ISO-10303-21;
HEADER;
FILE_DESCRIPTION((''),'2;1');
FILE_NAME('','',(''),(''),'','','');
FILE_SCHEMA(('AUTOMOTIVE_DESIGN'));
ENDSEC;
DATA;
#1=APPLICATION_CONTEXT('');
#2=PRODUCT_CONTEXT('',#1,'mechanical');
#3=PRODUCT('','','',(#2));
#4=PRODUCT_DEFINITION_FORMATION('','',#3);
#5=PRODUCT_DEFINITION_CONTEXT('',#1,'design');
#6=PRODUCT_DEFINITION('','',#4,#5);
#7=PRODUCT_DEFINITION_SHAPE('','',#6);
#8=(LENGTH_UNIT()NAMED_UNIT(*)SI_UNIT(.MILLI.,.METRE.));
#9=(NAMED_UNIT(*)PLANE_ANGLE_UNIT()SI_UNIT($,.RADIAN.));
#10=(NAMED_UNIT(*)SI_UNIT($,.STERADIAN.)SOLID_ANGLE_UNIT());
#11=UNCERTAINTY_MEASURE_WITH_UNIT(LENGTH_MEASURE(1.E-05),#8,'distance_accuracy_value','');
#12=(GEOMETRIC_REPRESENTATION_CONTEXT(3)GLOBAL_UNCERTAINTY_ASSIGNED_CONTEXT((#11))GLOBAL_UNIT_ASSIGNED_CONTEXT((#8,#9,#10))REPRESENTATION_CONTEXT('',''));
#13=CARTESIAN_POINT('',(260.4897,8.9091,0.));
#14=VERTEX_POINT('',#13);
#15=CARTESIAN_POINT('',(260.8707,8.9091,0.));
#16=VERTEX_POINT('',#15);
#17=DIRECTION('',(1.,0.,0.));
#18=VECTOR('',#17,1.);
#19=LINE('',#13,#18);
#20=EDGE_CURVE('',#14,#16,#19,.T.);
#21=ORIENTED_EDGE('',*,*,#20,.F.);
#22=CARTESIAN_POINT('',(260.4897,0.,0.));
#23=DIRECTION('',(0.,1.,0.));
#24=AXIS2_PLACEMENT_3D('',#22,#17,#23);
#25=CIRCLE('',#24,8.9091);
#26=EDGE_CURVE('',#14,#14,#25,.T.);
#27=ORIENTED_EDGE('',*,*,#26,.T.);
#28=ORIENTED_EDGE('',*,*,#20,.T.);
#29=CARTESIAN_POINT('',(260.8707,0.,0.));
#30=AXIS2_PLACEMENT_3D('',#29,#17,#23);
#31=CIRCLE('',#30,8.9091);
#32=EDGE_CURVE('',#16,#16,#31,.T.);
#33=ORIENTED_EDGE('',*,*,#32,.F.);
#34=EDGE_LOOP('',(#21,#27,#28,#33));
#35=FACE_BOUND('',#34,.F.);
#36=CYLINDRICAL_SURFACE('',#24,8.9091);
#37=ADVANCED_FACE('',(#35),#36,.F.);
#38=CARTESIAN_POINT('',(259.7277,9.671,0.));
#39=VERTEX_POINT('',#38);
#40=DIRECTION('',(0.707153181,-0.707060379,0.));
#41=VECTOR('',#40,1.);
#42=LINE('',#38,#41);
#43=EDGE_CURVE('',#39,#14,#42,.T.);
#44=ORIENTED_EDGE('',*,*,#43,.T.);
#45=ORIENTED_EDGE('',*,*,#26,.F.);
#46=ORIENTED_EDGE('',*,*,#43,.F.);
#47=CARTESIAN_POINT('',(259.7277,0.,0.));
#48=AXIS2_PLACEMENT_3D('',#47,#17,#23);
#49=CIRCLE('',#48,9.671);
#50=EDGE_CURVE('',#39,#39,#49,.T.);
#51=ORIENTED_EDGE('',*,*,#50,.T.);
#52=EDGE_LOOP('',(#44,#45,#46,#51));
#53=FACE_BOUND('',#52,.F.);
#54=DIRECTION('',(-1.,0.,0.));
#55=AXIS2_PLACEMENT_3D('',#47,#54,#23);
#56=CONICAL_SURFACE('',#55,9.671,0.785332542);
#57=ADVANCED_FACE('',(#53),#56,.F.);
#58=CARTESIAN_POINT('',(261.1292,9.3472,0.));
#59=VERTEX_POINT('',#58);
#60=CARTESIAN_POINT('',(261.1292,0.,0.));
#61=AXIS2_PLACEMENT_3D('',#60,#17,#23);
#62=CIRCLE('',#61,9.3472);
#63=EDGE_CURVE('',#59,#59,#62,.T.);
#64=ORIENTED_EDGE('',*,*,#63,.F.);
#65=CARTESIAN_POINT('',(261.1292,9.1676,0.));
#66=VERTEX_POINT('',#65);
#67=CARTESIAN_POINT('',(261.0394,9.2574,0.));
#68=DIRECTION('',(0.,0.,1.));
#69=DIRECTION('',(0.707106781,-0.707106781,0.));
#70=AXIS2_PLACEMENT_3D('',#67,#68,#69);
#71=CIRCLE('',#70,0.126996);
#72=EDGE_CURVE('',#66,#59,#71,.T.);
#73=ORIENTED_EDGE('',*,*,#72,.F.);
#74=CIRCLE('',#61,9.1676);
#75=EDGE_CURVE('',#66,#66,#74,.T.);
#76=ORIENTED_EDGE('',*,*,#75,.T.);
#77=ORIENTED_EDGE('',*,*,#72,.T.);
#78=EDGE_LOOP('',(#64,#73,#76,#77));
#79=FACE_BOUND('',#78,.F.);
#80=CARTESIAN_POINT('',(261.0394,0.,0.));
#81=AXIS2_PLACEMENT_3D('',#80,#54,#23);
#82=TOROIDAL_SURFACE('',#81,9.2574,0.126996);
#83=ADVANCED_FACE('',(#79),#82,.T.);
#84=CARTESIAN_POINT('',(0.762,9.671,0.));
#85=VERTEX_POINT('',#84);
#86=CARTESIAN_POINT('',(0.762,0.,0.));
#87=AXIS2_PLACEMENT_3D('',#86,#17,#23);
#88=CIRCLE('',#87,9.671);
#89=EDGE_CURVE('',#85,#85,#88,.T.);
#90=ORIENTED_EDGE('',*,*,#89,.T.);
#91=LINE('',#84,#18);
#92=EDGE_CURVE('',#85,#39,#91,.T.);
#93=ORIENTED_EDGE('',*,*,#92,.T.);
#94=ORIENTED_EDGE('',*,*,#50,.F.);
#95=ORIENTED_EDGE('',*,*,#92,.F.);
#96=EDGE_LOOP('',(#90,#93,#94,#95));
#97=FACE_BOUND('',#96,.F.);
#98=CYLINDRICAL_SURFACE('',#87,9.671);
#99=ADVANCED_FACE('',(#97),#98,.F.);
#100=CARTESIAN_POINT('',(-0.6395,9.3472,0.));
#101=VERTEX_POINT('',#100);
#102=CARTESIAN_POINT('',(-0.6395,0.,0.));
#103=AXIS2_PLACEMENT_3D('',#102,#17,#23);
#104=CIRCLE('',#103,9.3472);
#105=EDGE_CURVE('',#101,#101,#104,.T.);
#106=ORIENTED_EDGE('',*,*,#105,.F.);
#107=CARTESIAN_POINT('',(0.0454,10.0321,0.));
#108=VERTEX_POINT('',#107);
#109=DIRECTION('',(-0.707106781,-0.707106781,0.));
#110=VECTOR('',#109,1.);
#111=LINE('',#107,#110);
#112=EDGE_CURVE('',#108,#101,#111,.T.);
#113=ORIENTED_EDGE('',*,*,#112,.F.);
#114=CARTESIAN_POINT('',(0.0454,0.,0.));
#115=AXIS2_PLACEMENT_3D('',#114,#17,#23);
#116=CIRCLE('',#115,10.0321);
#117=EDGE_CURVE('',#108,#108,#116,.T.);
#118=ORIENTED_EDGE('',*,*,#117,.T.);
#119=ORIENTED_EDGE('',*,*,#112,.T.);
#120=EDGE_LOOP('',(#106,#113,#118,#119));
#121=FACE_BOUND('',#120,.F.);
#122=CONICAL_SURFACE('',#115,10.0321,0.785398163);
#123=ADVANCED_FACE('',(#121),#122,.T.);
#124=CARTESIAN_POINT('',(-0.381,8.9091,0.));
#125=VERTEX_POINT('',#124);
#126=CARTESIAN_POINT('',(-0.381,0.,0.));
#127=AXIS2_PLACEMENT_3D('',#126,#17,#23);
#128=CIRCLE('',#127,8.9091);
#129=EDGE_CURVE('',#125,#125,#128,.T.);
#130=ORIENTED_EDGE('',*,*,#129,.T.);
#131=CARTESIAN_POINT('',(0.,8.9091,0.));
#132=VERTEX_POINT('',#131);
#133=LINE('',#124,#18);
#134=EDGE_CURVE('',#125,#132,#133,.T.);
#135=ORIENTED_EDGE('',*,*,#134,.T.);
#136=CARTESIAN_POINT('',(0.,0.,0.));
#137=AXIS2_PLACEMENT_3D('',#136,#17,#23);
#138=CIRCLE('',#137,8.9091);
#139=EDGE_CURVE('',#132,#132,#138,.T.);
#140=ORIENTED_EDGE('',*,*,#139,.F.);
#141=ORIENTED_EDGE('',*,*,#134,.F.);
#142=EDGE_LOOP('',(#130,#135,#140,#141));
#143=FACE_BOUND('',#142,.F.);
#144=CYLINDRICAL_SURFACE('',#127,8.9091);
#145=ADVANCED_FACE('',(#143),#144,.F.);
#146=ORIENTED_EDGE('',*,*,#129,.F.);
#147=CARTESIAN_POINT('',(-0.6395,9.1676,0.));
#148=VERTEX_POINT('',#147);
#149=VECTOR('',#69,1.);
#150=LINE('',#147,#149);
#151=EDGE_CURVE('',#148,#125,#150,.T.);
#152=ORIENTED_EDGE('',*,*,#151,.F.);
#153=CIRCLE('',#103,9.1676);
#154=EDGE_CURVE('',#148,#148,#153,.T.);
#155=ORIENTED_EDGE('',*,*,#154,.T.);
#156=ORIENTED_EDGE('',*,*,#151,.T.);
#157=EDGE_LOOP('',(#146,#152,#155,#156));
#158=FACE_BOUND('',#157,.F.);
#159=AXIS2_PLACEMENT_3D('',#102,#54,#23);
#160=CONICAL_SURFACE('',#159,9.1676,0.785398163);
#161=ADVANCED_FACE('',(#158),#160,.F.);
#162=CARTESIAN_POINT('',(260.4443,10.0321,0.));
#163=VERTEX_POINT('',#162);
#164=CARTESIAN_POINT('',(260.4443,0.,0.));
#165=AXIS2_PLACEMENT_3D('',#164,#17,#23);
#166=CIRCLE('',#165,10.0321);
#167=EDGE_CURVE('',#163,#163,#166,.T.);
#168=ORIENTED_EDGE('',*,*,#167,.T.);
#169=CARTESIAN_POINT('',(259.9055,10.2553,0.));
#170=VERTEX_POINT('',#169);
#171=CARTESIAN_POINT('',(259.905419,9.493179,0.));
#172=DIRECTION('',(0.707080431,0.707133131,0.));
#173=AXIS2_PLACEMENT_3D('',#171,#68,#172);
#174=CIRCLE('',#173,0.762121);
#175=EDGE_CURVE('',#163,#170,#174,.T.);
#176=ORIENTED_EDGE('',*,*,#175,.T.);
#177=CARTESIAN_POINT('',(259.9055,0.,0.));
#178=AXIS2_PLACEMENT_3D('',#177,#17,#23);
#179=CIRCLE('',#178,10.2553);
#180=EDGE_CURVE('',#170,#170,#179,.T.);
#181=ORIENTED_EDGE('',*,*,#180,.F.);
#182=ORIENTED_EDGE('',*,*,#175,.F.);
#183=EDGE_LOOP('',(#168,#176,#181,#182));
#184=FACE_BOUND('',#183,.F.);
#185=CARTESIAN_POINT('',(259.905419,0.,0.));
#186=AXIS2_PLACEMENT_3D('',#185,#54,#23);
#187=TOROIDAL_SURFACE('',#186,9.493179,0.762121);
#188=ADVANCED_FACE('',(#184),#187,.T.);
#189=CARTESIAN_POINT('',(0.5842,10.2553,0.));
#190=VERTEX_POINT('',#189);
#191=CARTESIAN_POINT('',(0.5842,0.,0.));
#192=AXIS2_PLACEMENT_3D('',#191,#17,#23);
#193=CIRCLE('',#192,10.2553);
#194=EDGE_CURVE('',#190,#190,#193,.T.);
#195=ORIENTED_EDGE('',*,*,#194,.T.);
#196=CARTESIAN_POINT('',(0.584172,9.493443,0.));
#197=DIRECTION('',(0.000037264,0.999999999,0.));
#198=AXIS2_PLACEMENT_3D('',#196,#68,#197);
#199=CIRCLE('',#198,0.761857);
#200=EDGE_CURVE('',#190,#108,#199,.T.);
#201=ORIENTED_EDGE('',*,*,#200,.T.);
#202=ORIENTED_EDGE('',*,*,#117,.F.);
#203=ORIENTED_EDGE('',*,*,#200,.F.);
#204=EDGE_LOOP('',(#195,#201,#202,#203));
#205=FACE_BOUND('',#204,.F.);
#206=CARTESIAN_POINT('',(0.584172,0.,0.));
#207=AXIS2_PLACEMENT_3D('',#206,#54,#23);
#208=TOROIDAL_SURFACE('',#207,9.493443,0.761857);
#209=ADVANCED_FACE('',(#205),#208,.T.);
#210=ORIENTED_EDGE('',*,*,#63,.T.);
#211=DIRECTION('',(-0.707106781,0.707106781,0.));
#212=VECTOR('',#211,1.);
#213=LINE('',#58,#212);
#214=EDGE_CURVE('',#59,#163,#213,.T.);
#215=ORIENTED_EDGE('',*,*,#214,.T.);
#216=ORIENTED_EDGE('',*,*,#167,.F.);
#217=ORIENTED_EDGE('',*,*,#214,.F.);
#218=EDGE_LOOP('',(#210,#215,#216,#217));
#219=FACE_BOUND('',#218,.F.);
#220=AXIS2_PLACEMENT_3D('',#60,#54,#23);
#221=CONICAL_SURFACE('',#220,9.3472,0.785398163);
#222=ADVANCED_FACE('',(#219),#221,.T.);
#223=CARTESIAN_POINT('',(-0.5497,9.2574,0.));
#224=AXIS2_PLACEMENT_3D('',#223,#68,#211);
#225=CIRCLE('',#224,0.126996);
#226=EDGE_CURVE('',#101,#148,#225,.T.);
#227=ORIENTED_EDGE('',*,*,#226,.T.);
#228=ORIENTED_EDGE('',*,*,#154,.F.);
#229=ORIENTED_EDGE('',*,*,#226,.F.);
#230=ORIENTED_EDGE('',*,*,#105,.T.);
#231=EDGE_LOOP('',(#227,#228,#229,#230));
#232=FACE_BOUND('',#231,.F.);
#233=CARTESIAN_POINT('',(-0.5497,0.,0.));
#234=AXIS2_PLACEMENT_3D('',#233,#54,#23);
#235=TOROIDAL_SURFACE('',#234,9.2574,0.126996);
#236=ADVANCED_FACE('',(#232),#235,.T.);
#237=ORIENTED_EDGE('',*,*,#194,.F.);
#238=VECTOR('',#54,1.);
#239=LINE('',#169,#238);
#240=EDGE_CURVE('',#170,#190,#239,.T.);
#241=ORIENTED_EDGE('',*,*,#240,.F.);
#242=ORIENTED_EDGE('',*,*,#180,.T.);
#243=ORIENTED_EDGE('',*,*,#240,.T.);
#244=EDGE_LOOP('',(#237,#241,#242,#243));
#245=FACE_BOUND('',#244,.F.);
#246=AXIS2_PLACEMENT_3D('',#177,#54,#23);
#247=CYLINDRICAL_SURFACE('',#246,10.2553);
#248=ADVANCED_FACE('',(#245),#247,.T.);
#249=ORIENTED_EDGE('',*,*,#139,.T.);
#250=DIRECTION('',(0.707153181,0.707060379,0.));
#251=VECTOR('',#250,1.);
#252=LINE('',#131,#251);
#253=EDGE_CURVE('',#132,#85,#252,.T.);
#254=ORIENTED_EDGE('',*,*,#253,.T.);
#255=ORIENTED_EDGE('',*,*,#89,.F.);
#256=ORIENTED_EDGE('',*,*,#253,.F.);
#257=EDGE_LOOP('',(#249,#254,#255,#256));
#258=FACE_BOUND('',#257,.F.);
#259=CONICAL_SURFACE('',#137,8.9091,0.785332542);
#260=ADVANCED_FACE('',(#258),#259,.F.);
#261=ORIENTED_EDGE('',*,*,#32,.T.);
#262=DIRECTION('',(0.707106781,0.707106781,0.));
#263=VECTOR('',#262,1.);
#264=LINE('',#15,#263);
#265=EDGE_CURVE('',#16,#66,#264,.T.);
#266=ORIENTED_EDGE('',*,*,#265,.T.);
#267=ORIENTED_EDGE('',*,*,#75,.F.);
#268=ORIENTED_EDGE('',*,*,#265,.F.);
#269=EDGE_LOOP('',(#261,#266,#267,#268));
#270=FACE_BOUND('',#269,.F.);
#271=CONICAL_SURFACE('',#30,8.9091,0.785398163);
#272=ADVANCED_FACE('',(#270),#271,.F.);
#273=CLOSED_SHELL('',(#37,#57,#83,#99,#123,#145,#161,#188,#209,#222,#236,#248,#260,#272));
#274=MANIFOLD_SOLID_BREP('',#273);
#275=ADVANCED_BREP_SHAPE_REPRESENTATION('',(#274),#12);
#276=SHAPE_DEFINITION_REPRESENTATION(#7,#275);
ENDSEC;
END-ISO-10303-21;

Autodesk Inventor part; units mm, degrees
sketch "Sketch_1" plane through (0, 0, 0) normal (0, 0, 1) x (1, 0, 0)
  line L0 (260.4897, 0) -> (0, 0)
  arc A0 (-0.6395, 9.3472) -> (-0.6395, 9.1676) centre (-0.5497, 9.2574) ccw
  line L1 (-0.6395, 9.1676) -> (-0.381, 8.9091)
  line L2 (-0.381, 8.9091) -> (0, 8.9091)
  line L3 (0, 8.9091) -> (0.762, 9.671)
  line L4 (0.762, 9.671) -> (259.7277, 9.671)
  line L5 (259.7277, 9.671) -> (260.4897, 8.9091)
  line L6 (260.4897, 8.9091) -> (260.8707, 8.9091)
  line L7 (260.8707, 8.9091) -> (261.1292, 9.1676)
  arc A1 (261.1292, 9.1676) -> (261.1292, 9.3472) centre (261.0394, 9.2574) ccw
  line L8 (261.1292, 9.3472) -> (260.4443, 10.0321)
  arc A2 (260.4443, 10.0321) -> (259.9055, 10.2553) centre (259.9055, 9.4933) ccw
  line L9 (259.9055, 10.2553) -> (0.5842, 10.2553)
  arc A3 (0.5842, 10.2553) -> (0.0454, 10.0321) centre (0.5842, 9.4933) ccw
  line L10 (0.0454, 10.0321) -> (-0.6395, 9.3472)
revolve "Revolution1" add sketch "Sketch_1" angle 360 about axis through (260.4897, 0, 0) along (1, 0, 0)
ref_plane "tube_front_XY" through (0, 0, 0) normal (1, 0, 0) x (0, 0, -1)
ref_plane "tube_front_YZ" through (0, 0, 0) normal (0, 0, -1) x (0, 1, 0)
ref_plane "tube_front_ZX" through (0, 0, 0) normal (0, 1, 0) x (1, 0, 0)
ref_plane "tube_rear_XY" through (260.4897, 0, 0) normal (1, 0, 0) x (0, 0, -1)
ref_plane "tube_rear_YZ" through (260.4897, 0, 0) normal (0, 0, -1) x (0, 1, 0)
ref_plane "tube_rear_ZX" through (260.4897, 0, 0) normal (0, 1, 0) x (1, 0, 0)
ref_plane "cp1_XY" through (130.2449, 10.2553, 0) normal (1, 0, 0) x (0, 0, -1)
ref_plane "cp1_YZ" through (130.2449, 10.2553, 0) normal (0, 0, -1) x (0, 1, 0)
ref_plane "cp1_ZX" through (130.2449, 10.2553, 0) normal (0, 1, 0) x (1, 0, 0)
ref_plane "cp2_XY" through (130.2449, 0, -10.2553) normal (1, 0, 0) x (0, 0, -1)
ref_plane "cp2_YZ" through (130.2449, 0, -10.2553) normal (0, 0, -1) x (0, 1, 0)
ref_plane "cp2_ZX" through (130.2449, 0, -10.2553) normal (0, 1, 0) x (1, 0, 0)
ref_plane "cp3_XY" through (130.2449, -10.2553, 0) normal (1, 0, 0) x (0, 0, -1)
ref_plane "cp3_YZ" through (130.2449, -10.2553, 0) normal (0, 0, -1) x (0, 1, 0)
ref_plane "cp3_ZX" through (130.2449, -10.2553, 0) normal (0, 1, 0) x (1, 0, 0)
ref_plane "cp4_XY" through (130.2449, 0, 10.2553) normal (1, 0, 0) x (0, 0, -1)
ref_plane "cp4_YZ" through (130.2449, 0, 10.2553) normal (0, 0, -1) x (0, 1, 0)
ref_plane "cp4_ZX" through (130.2449, 0, 10.2553) normal (0, 1, 0) x (1, 0, 0)
properties part number "04R-10.25550" material "Stainless Steel"
